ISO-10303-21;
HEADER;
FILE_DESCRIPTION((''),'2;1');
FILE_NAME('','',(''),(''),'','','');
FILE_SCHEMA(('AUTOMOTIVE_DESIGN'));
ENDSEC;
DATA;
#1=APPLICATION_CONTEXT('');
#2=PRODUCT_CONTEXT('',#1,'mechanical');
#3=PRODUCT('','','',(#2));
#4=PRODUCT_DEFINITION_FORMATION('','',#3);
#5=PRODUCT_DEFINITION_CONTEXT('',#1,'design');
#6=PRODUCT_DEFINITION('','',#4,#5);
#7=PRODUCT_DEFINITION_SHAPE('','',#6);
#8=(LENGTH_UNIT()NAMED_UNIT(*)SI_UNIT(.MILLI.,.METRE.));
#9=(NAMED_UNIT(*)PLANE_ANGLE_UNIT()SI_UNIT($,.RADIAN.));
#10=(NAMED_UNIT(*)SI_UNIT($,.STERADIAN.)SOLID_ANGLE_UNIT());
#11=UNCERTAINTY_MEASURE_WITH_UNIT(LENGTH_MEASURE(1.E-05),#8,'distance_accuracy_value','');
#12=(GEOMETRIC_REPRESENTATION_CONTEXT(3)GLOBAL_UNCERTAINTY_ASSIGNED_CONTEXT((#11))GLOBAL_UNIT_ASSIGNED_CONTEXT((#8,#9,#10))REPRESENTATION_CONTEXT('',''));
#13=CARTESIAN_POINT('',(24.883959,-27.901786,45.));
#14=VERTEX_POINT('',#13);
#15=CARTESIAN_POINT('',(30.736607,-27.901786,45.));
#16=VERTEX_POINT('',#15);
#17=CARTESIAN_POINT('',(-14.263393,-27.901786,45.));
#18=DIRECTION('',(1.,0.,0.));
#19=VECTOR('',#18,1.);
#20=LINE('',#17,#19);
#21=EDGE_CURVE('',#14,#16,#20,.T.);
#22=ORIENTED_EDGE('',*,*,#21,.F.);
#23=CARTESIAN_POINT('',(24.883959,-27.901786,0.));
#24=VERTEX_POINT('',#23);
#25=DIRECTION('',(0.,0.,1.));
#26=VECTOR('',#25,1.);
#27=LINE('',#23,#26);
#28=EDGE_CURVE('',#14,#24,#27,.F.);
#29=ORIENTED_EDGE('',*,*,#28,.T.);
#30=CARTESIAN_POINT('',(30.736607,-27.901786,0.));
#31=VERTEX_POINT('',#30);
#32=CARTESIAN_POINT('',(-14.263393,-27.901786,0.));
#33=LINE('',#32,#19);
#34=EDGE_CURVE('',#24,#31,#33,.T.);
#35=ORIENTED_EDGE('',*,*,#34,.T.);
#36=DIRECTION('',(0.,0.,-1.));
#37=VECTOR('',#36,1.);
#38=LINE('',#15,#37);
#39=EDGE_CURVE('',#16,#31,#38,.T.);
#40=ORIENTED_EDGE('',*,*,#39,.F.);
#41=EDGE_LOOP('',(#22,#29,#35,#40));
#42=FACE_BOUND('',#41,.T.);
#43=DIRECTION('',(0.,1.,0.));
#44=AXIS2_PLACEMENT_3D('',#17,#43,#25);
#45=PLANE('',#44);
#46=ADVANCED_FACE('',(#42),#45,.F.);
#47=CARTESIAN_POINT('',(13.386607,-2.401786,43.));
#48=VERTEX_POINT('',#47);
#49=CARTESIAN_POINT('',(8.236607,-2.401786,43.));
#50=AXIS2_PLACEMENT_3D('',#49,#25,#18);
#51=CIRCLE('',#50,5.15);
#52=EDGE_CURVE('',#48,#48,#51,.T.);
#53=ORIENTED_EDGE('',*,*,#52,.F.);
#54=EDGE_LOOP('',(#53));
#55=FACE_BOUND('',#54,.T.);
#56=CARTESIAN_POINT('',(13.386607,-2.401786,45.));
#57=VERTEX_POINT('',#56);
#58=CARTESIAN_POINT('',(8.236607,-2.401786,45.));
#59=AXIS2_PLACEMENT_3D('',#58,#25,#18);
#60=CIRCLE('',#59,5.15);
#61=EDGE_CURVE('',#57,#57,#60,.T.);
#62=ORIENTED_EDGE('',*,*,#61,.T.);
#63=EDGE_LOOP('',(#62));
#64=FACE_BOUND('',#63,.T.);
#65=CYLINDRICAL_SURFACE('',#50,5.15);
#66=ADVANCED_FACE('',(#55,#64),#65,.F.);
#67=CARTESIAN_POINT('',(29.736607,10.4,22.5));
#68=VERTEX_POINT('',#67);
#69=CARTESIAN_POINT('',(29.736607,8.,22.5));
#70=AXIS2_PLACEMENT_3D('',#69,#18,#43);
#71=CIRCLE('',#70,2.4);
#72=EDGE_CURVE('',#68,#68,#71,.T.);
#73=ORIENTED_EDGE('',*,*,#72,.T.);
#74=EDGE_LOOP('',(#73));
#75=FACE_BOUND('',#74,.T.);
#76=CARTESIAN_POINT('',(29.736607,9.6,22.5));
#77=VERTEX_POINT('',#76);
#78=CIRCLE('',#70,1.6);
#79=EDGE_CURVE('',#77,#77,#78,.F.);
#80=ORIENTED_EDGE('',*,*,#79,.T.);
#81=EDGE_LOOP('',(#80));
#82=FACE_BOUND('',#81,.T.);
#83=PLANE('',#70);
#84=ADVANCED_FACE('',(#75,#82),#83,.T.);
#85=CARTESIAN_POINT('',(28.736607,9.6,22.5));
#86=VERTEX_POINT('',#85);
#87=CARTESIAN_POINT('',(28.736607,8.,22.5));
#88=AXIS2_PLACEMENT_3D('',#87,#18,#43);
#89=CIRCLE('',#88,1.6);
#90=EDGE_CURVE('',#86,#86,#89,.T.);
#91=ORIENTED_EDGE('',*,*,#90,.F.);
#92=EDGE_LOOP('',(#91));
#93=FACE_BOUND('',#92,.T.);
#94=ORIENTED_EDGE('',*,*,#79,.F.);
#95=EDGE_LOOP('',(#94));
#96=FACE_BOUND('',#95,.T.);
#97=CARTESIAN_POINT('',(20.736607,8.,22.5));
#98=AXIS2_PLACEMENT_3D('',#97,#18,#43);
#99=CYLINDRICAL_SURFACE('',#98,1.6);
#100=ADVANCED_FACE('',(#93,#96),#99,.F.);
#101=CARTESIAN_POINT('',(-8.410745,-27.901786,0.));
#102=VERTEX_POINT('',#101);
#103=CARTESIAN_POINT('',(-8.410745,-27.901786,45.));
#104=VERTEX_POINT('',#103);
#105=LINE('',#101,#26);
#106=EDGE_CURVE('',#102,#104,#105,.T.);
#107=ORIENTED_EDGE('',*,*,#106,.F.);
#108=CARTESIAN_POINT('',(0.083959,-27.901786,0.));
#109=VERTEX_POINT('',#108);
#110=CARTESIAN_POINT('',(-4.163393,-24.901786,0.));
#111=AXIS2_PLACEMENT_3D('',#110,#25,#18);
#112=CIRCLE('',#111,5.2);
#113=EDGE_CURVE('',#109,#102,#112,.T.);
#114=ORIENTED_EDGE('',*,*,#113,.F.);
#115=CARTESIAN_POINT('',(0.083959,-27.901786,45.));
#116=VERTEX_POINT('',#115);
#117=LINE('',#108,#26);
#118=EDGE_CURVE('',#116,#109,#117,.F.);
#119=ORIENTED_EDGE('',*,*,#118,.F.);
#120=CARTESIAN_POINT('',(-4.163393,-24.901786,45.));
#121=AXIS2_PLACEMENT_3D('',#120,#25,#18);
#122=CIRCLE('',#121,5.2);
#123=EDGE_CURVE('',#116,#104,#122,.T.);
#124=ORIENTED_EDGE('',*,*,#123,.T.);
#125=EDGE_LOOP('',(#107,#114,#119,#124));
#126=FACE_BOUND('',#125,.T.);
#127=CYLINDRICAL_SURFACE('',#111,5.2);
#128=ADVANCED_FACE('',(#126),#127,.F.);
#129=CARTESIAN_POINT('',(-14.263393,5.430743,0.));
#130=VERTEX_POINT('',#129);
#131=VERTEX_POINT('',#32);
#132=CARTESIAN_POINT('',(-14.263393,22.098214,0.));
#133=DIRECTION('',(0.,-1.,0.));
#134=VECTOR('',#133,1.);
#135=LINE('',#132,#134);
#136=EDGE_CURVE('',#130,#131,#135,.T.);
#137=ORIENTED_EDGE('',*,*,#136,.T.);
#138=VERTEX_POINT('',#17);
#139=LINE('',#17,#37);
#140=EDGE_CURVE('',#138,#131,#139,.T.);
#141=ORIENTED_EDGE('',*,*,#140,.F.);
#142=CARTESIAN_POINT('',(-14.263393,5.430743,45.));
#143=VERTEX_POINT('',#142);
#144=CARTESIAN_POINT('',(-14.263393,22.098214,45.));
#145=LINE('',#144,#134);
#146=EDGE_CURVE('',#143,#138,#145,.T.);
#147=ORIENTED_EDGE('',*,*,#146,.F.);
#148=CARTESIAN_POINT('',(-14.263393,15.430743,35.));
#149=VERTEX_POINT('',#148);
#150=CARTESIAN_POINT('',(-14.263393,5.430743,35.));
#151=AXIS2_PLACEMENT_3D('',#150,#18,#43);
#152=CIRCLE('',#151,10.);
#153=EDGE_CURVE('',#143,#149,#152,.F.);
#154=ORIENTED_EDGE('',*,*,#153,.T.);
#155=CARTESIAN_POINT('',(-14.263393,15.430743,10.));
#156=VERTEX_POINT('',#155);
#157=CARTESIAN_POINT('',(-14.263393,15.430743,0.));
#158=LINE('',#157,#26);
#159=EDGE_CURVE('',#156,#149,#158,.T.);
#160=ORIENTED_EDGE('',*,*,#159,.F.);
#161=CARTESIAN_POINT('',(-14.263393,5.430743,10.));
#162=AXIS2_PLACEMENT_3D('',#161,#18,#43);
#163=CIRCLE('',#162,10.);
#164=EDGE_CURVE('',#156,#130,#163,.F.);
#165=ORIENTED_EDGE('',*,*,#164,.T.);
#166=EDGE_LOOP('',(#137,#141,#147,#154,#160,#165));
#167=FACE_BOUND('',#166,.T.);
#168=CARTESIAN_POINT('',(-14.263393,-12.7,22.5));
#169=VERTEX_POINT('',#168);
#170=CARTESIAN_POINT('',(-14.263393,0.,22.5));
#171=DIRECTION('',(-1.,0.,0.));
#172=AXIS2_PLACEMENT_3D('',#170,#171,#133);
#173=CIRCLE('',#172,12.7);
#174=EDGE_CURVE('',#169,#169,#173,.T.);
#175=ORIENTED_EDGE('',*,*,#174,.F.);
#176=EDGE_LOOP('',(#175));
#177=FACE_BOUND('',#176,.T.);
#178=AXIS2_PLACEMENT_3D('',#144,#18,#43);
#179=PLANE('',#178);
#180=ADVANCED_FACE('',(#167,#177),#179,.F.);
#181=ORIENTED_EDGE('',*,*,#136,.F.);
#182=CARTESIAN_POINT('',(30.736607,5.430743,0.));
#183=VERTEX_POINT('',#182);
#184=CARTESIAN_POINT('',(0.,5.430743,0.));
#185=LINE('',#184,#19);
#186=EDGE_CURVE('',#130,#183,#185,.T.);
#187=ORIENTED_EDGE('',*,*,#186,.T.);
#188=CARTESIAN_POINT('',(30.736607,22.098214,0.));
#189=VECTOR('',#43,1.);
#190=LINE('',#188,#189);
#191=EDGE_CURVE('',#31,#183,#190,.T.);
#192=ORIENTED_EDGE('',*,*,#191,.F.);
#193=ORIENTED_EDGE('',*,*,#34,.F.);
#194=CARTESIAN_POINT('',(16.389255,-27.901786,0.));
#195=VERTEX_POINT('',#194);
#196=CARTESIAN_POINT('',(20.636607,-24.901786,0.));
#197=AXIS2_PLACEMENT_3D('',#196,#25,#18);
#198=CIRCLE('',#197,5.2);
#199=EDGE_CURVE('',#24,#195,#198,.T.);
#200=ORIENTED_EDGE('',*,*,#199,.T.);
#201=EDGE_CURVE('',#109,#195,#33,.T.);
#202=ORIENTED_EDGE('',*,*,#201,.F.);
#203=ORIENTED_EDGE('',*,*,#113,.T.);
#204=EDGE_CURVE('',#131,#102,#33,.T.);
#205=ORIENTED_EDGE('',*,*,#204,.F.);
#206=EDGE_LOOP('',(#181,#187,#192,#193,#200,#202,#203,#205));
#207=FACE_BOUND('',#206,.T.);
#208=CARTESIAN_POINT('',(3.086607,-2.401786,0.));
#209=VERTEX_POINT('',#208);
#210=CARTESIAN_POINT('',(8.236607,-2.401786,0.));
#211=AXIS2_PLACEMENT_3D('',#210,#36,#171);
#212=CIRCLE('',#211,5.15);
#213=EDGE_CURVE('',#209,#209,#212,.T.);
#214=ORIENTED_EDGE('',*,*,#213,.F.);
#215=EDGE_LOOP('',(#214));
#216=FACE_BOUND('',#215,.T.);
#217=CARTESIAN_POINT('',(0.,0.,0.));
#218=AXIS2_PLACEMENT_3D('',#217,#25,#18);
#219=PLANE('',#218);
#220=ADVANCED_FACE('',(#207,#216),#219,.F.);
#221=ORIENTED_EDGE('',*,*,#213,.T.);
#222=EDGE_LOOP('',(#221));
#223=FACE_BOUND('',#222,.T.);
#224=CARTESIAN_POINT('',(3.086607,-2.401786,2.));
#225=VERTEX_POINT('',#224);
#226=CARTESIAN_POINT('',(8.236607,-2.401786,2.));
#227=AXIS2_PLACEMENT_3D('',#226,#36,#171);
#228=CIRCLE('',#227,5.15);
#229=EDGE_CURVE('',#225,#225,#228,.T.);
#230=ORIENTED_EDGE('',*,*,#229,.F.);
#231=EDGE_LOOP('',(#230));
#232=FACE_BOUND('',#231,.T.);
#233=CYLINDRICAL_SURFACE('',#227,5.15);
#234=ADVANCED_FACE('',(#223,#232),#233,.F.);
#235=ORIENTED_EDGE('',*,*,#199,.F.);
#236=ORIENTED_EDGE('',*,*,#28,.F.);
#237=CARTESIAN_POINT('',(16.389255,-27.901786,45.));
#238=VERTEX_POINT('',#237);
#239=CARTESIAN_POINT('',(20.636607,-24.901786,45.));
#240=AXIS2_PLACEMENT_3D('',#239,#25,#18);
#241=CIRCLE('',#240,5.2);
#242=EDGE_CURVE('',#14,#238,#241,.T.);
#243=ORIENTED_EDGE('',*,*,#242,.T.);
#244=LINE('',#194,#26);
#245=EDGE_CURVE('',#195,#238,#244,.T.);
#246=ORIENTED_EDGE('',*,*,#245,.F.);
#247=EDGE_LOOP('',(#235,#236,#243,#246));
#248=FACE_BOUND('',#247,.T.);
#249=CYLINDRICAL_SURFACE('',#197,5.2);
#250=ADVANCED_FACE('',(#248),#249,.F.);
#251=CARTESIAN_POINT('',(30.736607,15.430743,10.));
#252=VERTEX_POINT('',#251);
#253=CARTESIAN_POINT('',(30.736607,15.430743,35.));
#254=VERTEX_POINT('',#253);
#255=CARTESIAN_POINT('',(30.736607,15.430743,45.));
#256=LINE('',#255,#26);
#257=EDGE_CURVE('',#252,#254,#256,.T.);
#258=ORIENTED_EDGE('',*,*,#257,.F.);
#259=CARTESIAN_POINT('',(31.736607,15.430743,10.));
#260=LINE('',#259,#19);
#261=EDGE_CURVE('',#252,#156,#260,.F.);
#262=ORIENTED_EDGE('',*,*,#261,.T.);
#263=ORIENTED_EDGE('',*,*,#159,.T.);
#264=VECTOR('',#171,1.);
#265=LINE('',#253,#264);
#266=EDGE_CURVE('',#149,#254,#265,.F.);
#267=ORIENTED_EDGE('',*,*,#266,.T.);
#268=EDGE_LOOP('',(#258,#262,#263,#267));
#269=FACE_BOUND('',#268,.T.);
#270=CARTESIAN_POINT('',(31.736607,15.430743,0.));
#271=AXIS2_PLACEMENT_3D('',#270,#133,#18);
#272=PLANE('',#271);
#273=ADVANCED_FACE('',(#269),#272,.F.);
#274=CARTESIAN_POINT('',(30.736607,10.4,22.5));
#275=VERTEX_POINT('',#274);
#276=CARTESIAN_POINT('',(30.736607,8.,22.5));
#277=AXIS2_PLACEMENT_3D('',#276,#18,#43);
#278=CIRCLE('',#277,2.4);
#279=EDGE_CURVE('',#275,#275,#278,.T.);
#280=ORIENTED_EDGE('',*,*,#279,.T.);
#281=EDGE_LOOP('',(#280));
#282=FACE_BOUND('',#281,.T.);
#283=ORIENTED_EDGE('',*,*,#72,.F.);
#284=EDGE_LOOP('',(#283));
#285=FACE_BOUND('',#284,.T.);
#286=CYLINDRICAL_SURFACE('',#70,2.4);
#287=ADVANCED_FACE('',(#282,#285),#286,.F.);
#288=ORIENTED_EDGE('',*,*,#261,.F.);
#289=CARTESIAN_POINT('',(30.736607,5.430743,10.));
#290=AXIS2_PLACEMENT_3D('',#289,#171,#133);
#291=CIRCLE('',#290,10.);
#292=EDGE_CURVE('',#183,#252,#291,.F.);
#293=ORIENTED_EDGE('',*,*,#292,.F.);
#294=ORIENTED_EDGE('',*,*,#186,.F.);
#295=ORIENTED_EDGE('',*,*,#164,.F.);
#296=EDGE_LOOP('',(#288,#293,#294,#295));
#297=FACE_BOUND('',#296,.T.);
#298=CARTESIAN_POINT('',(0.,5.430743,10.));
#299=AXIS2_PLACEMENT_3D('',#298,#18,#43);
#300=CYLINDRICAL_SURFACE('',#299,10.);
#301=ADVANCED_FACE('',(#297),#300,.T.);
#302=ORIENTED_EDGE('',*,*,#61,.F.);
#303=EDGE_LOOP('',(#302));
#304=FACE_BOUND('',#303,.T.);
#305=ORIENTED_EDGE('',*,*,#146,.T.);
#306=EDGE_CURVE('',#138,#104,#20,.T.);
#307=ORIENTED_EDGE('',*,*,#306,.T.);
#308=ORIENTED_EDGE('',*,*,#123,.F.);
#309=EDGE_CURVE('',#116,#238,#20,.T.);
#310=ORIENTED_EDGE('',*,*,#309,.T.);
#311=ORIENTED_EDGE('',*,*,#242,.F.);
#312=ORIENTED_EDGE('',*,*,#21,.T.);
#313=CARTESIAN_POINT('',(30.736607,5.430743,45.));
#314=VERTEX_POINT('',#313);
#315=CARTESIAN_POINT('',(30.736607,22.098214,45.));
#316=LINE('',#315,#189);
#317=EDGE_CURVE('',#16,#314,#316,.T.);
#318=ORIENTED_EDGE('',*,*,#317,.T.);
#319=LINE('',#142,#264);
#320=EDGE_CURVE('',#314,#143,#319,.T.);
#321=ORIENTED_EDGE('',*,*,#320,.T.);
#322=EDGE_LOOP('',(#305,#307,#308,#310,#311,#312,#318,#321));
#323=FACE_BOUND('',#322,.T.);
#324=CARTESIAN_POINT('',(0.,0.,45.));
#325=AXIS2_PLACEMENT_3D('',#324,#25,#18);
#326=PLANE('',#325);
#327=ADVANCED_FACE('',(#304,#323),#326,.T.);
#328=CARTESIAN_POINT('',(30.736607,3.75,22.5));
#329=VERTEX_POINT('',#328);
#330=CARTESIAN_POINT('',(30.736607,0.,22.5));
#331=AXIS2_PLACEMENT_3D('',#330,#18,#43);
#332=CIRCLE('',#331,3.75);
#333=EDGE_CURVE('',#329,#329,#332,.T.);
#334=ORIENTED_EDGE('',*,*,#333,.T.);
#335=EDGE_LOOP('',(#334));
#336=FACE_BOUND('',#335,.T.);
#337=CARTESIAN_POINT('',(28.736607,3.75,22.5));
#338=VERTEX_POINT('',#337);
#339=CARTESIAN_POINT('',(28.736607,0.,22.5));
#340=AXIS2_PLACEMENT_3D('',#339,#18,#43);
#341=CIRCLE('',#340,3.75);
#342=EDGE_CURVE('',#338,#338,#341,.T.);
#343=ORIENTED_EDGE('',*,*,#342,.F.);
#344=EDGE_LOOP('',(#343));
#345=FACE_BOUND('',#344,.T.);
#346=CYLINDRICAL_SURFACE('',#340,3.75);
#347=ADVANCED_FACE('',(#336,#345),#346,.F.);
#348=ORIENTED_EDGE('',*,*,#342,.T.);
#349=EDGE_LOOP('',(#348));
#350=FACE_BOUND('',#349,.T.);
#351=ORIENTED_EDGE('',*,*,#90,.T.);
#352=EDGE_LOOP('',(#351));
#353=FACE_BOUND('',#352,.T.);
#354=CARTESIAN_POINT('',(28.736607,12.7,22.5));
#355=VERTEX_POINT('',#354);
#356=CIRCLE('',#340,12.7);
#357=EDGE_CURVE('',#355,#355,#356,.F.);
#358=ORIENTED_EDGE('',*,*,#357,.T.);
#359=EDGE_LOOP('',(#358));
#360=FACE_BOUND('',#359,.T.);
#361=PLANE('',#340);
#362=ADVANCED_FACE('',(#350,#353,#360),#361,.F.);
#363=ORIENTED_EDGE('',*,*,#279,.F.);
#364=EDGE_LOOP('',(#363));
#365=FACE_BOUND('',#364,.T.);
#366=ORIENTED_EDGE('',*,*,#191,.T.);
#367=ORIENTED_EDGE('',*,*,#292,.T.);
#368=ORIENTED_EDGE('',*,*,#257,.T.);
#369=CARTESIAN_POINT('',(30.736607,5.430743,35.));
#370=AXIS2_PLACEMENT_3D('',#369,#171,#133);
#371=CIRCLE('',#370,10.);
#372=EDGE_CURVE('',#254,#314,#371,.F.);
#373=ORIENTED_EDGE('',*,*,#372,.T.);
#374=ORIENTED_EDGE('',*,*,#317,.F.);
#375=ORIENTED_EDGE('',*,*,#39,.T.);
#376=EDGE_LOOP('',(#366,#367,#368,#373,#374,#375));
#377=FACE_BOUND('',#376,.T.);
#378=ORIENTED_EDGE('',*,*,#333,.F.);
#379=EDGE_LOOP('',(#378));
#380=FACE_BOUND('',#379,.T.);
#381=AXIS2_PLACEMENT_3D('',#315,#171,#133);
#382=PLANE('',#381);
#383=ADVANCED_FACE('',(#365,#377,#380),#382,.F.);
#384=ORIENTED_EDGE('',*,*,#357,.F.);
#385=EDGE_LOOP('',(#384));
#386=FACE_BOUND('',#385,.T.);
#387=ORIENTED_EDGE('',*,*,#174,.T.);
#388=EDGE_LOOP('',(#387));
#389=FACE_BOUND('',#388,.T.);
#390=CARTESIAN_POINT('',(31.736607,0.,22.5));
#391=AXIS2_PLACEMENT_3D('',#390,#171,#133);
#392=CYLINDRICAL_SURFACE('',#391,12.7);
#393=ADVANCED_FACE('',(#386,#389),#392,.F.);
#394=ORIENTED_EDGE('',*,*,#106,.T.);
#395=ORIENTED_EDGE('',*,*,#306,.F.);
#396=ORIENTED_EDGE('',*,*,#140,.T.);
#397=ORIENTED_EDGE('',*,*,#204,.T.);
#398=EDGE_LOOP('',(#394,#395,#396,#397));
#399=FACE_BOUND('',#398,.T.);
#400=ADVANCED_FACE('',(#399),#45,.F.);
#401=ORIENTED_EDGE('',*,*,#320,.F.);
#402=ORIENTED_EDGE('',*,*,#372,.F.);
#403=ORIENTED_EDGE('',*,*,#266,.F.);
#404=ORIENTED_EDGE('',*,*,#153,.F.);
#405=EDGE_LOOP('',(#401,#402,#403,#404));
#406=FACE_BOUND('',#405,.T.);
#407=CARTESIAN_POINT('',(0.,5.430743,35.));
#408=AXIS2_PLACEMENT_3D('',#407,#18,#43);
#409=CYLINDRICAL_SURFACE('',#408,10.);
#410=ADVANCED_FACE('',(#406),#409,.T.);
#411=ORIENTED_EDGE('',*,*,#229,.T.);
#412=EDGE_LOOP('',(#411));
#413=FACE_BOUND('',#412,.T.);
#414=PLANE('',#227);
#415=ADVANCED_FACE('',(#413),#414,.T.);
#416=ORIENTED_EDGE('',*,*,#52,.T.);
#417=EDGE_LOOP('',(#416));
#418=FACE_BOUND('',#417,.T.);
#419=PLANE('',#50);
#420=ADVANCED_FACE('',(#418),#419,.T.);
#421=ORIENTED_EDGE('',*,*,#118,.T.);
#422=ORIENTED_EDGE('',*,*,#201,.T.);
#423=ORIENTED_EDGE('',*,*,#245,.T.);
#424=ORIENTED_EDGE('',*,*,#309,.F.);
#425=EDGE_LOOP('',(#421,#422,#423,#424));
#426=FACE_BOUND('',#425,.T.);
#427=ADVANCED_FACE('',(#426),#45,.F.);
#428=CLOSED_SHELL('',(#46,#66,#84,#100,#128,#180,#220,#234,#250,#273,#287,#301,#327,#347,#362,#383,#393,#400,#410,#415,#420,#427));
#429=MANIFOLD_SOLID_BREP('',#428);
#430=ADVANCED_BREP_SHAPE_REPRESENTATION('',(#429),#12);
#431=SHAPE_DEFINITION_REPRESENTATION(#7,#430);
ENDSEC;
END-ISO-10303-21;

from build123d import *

# Parameters (mm, degrees)
SKETCH1_W           = 45
SKETCH1_H           = 50
BOSS_EXTRUDE1_DEPTH = 45
SKETCH2_R           = 5.2
CUT_EXTRUDE1_DEPTH  = 45
SKETCH9_R           = 5.15
CUT_EXTRUDE6_DEPTH  = 2
SKETCH10_R          = 5.15
CUT_EXTRUDE7_DEPTH  = 2
SKETCH12_R          = 12.7
CUT_EXTRUDE8_DEPTH  = 46
SKETCH13_W          = 45
SKETCH13_H          = 6.66747138
CUT_EXTRUDE9_DEPTH  = 46
SKETCH16_R          = 13.25
SKETCH16_R_2        = 3.75
BOSS_EXTRUDE3_DEPTH = 2
FILLET1_R           = 10
SKETCH17_R          = 1.6
CUT_EXTRUDE10_DEPTH = 10
SKETCH18_R          = 2.4
CUT_EXTRUDE11_DEPTH = 1


with BuildPart() as part:
    # Sketch1 → Boss-Extrude1 (new body)
    with BuildSketch(Plane.XY):
        with Locations((8.236607143, -2.901785714)):
            Rectangle(SKETCH1_W, SKETCH1_H)
    extrude(amount=BOSS_EXTRUDE1_DEPTH)

    # Sketch2 → Cut-Extrude1 (cut)
    with BuildSketch(Plane.XY.offset(45)):
        with Locations((-4.163392857, -24.901785714)):
            Circle(SKETCH2_R)
        with Locations((20.636607143, -24.901785714)):
            Circle(SKETCH2_R)
    extrude(amount=-CUT_EXTRUDE1_DEPTH, mode=Mode.SUBTRACT)

    # Sketch9 → Cut-Extrude6 (cut)
    with BuildSketch(Plane.XY.offset(45)):
        with Locations((8.236607143, -2.401785714)):
            Circle(SKETCH9_R)
    extrude(amount=-CUT_EXTRUDE6_DEPTH, mode=Mode.SUBTRACT)

    # Sketch10 → Cut-Extrude7 (cut)
    with BuildSketch(Plane(origin=(0, 0, 0), x_dir=(-1, 0, 0), z_dir=(0, 0, -1))):
        with Locations((-8.236607143, -2.401785714)):
            Circle(SKETCH10_R)
    extrude(amount=-CUT_EXTRUDE7_DEPTH, mode=Mode.SUBTRACT)

    # Sketch12 → Cut-Extrude8 (cut)
    with BuildSketch(Plane.ZY.offset(14.263392857)):
        with Locations((22.5, 0)):
            Circle(SKETCH12_R)
    extrude(amount=-CUT_EXTRUDE8_DEPTH, mode=Mode.SUBTRACT)

    # Sketch13 → Cut-Extrude9 (cut)
    with BuildSketch(Plane.ZY.offset(14.263392857)):
        with Locations((22.5, 18.764478596)):
            Rectangle(SKETCH13_W, SKETCH13_H)
    extrude(amount=-CUT_EXTRUDE9_DEPTH, mode=Mode.SUBTRACT)

    # Sketch16 → Boss-Extrude3 (add)
    with BuildSketch(Plane(origin=(30.736607143, 0, 0), x_dir=(0, 0, -1), z_dir=(1, 0, 0))):
        with Locations((-22.5, 0)):
            Circle(SKETCH16_R)
        with Locations((-22.5, 0)):
            Circle(SKETCH16_R_2, mode=Mode.SUBTRACT)
    extrude(amount=-BOSS_EXTRUDE3_DEPTH)

    # Fillet1
    fillet1_edges = [part.edges().sort_by_distance(p)[0] for p in [
        (8.236607143, 15.430742906, 0),
        (8.236607143, 15.430742906, 45),
    ]]
    fillet(fillet1_edges, radius=FILLET1_R)

    # Sketch17 → Cut-Extrude10 (cut)
    with BuildSketch(Plane(origin=(30.736607143, 0, 0), x_dir=(0, 0, -1), z_dir=(1, 0, 0))):
        with Locations((-22.5, 8)):
            Circle(SKETCH17_R)
    extrude(amount=-CUT_EXTRUDE10_DEPTH, mode=Mode.SUBTRACT)

    # Sketch18 → Cut-Extrude11 (cut)
    with BuildSketch(Plane(origin=(30.736607143, 0, 0), x_dir=(0, 0, -1), z_dir=(1, 0, 0))):
        with Locations((-22.5, 8)):
            Circle(SKETCH18_R)
    extrude(amount=-CUT_EXTRUDE11_DEPTH, mode=Mode.SUBTRACT)


solid = part.part
